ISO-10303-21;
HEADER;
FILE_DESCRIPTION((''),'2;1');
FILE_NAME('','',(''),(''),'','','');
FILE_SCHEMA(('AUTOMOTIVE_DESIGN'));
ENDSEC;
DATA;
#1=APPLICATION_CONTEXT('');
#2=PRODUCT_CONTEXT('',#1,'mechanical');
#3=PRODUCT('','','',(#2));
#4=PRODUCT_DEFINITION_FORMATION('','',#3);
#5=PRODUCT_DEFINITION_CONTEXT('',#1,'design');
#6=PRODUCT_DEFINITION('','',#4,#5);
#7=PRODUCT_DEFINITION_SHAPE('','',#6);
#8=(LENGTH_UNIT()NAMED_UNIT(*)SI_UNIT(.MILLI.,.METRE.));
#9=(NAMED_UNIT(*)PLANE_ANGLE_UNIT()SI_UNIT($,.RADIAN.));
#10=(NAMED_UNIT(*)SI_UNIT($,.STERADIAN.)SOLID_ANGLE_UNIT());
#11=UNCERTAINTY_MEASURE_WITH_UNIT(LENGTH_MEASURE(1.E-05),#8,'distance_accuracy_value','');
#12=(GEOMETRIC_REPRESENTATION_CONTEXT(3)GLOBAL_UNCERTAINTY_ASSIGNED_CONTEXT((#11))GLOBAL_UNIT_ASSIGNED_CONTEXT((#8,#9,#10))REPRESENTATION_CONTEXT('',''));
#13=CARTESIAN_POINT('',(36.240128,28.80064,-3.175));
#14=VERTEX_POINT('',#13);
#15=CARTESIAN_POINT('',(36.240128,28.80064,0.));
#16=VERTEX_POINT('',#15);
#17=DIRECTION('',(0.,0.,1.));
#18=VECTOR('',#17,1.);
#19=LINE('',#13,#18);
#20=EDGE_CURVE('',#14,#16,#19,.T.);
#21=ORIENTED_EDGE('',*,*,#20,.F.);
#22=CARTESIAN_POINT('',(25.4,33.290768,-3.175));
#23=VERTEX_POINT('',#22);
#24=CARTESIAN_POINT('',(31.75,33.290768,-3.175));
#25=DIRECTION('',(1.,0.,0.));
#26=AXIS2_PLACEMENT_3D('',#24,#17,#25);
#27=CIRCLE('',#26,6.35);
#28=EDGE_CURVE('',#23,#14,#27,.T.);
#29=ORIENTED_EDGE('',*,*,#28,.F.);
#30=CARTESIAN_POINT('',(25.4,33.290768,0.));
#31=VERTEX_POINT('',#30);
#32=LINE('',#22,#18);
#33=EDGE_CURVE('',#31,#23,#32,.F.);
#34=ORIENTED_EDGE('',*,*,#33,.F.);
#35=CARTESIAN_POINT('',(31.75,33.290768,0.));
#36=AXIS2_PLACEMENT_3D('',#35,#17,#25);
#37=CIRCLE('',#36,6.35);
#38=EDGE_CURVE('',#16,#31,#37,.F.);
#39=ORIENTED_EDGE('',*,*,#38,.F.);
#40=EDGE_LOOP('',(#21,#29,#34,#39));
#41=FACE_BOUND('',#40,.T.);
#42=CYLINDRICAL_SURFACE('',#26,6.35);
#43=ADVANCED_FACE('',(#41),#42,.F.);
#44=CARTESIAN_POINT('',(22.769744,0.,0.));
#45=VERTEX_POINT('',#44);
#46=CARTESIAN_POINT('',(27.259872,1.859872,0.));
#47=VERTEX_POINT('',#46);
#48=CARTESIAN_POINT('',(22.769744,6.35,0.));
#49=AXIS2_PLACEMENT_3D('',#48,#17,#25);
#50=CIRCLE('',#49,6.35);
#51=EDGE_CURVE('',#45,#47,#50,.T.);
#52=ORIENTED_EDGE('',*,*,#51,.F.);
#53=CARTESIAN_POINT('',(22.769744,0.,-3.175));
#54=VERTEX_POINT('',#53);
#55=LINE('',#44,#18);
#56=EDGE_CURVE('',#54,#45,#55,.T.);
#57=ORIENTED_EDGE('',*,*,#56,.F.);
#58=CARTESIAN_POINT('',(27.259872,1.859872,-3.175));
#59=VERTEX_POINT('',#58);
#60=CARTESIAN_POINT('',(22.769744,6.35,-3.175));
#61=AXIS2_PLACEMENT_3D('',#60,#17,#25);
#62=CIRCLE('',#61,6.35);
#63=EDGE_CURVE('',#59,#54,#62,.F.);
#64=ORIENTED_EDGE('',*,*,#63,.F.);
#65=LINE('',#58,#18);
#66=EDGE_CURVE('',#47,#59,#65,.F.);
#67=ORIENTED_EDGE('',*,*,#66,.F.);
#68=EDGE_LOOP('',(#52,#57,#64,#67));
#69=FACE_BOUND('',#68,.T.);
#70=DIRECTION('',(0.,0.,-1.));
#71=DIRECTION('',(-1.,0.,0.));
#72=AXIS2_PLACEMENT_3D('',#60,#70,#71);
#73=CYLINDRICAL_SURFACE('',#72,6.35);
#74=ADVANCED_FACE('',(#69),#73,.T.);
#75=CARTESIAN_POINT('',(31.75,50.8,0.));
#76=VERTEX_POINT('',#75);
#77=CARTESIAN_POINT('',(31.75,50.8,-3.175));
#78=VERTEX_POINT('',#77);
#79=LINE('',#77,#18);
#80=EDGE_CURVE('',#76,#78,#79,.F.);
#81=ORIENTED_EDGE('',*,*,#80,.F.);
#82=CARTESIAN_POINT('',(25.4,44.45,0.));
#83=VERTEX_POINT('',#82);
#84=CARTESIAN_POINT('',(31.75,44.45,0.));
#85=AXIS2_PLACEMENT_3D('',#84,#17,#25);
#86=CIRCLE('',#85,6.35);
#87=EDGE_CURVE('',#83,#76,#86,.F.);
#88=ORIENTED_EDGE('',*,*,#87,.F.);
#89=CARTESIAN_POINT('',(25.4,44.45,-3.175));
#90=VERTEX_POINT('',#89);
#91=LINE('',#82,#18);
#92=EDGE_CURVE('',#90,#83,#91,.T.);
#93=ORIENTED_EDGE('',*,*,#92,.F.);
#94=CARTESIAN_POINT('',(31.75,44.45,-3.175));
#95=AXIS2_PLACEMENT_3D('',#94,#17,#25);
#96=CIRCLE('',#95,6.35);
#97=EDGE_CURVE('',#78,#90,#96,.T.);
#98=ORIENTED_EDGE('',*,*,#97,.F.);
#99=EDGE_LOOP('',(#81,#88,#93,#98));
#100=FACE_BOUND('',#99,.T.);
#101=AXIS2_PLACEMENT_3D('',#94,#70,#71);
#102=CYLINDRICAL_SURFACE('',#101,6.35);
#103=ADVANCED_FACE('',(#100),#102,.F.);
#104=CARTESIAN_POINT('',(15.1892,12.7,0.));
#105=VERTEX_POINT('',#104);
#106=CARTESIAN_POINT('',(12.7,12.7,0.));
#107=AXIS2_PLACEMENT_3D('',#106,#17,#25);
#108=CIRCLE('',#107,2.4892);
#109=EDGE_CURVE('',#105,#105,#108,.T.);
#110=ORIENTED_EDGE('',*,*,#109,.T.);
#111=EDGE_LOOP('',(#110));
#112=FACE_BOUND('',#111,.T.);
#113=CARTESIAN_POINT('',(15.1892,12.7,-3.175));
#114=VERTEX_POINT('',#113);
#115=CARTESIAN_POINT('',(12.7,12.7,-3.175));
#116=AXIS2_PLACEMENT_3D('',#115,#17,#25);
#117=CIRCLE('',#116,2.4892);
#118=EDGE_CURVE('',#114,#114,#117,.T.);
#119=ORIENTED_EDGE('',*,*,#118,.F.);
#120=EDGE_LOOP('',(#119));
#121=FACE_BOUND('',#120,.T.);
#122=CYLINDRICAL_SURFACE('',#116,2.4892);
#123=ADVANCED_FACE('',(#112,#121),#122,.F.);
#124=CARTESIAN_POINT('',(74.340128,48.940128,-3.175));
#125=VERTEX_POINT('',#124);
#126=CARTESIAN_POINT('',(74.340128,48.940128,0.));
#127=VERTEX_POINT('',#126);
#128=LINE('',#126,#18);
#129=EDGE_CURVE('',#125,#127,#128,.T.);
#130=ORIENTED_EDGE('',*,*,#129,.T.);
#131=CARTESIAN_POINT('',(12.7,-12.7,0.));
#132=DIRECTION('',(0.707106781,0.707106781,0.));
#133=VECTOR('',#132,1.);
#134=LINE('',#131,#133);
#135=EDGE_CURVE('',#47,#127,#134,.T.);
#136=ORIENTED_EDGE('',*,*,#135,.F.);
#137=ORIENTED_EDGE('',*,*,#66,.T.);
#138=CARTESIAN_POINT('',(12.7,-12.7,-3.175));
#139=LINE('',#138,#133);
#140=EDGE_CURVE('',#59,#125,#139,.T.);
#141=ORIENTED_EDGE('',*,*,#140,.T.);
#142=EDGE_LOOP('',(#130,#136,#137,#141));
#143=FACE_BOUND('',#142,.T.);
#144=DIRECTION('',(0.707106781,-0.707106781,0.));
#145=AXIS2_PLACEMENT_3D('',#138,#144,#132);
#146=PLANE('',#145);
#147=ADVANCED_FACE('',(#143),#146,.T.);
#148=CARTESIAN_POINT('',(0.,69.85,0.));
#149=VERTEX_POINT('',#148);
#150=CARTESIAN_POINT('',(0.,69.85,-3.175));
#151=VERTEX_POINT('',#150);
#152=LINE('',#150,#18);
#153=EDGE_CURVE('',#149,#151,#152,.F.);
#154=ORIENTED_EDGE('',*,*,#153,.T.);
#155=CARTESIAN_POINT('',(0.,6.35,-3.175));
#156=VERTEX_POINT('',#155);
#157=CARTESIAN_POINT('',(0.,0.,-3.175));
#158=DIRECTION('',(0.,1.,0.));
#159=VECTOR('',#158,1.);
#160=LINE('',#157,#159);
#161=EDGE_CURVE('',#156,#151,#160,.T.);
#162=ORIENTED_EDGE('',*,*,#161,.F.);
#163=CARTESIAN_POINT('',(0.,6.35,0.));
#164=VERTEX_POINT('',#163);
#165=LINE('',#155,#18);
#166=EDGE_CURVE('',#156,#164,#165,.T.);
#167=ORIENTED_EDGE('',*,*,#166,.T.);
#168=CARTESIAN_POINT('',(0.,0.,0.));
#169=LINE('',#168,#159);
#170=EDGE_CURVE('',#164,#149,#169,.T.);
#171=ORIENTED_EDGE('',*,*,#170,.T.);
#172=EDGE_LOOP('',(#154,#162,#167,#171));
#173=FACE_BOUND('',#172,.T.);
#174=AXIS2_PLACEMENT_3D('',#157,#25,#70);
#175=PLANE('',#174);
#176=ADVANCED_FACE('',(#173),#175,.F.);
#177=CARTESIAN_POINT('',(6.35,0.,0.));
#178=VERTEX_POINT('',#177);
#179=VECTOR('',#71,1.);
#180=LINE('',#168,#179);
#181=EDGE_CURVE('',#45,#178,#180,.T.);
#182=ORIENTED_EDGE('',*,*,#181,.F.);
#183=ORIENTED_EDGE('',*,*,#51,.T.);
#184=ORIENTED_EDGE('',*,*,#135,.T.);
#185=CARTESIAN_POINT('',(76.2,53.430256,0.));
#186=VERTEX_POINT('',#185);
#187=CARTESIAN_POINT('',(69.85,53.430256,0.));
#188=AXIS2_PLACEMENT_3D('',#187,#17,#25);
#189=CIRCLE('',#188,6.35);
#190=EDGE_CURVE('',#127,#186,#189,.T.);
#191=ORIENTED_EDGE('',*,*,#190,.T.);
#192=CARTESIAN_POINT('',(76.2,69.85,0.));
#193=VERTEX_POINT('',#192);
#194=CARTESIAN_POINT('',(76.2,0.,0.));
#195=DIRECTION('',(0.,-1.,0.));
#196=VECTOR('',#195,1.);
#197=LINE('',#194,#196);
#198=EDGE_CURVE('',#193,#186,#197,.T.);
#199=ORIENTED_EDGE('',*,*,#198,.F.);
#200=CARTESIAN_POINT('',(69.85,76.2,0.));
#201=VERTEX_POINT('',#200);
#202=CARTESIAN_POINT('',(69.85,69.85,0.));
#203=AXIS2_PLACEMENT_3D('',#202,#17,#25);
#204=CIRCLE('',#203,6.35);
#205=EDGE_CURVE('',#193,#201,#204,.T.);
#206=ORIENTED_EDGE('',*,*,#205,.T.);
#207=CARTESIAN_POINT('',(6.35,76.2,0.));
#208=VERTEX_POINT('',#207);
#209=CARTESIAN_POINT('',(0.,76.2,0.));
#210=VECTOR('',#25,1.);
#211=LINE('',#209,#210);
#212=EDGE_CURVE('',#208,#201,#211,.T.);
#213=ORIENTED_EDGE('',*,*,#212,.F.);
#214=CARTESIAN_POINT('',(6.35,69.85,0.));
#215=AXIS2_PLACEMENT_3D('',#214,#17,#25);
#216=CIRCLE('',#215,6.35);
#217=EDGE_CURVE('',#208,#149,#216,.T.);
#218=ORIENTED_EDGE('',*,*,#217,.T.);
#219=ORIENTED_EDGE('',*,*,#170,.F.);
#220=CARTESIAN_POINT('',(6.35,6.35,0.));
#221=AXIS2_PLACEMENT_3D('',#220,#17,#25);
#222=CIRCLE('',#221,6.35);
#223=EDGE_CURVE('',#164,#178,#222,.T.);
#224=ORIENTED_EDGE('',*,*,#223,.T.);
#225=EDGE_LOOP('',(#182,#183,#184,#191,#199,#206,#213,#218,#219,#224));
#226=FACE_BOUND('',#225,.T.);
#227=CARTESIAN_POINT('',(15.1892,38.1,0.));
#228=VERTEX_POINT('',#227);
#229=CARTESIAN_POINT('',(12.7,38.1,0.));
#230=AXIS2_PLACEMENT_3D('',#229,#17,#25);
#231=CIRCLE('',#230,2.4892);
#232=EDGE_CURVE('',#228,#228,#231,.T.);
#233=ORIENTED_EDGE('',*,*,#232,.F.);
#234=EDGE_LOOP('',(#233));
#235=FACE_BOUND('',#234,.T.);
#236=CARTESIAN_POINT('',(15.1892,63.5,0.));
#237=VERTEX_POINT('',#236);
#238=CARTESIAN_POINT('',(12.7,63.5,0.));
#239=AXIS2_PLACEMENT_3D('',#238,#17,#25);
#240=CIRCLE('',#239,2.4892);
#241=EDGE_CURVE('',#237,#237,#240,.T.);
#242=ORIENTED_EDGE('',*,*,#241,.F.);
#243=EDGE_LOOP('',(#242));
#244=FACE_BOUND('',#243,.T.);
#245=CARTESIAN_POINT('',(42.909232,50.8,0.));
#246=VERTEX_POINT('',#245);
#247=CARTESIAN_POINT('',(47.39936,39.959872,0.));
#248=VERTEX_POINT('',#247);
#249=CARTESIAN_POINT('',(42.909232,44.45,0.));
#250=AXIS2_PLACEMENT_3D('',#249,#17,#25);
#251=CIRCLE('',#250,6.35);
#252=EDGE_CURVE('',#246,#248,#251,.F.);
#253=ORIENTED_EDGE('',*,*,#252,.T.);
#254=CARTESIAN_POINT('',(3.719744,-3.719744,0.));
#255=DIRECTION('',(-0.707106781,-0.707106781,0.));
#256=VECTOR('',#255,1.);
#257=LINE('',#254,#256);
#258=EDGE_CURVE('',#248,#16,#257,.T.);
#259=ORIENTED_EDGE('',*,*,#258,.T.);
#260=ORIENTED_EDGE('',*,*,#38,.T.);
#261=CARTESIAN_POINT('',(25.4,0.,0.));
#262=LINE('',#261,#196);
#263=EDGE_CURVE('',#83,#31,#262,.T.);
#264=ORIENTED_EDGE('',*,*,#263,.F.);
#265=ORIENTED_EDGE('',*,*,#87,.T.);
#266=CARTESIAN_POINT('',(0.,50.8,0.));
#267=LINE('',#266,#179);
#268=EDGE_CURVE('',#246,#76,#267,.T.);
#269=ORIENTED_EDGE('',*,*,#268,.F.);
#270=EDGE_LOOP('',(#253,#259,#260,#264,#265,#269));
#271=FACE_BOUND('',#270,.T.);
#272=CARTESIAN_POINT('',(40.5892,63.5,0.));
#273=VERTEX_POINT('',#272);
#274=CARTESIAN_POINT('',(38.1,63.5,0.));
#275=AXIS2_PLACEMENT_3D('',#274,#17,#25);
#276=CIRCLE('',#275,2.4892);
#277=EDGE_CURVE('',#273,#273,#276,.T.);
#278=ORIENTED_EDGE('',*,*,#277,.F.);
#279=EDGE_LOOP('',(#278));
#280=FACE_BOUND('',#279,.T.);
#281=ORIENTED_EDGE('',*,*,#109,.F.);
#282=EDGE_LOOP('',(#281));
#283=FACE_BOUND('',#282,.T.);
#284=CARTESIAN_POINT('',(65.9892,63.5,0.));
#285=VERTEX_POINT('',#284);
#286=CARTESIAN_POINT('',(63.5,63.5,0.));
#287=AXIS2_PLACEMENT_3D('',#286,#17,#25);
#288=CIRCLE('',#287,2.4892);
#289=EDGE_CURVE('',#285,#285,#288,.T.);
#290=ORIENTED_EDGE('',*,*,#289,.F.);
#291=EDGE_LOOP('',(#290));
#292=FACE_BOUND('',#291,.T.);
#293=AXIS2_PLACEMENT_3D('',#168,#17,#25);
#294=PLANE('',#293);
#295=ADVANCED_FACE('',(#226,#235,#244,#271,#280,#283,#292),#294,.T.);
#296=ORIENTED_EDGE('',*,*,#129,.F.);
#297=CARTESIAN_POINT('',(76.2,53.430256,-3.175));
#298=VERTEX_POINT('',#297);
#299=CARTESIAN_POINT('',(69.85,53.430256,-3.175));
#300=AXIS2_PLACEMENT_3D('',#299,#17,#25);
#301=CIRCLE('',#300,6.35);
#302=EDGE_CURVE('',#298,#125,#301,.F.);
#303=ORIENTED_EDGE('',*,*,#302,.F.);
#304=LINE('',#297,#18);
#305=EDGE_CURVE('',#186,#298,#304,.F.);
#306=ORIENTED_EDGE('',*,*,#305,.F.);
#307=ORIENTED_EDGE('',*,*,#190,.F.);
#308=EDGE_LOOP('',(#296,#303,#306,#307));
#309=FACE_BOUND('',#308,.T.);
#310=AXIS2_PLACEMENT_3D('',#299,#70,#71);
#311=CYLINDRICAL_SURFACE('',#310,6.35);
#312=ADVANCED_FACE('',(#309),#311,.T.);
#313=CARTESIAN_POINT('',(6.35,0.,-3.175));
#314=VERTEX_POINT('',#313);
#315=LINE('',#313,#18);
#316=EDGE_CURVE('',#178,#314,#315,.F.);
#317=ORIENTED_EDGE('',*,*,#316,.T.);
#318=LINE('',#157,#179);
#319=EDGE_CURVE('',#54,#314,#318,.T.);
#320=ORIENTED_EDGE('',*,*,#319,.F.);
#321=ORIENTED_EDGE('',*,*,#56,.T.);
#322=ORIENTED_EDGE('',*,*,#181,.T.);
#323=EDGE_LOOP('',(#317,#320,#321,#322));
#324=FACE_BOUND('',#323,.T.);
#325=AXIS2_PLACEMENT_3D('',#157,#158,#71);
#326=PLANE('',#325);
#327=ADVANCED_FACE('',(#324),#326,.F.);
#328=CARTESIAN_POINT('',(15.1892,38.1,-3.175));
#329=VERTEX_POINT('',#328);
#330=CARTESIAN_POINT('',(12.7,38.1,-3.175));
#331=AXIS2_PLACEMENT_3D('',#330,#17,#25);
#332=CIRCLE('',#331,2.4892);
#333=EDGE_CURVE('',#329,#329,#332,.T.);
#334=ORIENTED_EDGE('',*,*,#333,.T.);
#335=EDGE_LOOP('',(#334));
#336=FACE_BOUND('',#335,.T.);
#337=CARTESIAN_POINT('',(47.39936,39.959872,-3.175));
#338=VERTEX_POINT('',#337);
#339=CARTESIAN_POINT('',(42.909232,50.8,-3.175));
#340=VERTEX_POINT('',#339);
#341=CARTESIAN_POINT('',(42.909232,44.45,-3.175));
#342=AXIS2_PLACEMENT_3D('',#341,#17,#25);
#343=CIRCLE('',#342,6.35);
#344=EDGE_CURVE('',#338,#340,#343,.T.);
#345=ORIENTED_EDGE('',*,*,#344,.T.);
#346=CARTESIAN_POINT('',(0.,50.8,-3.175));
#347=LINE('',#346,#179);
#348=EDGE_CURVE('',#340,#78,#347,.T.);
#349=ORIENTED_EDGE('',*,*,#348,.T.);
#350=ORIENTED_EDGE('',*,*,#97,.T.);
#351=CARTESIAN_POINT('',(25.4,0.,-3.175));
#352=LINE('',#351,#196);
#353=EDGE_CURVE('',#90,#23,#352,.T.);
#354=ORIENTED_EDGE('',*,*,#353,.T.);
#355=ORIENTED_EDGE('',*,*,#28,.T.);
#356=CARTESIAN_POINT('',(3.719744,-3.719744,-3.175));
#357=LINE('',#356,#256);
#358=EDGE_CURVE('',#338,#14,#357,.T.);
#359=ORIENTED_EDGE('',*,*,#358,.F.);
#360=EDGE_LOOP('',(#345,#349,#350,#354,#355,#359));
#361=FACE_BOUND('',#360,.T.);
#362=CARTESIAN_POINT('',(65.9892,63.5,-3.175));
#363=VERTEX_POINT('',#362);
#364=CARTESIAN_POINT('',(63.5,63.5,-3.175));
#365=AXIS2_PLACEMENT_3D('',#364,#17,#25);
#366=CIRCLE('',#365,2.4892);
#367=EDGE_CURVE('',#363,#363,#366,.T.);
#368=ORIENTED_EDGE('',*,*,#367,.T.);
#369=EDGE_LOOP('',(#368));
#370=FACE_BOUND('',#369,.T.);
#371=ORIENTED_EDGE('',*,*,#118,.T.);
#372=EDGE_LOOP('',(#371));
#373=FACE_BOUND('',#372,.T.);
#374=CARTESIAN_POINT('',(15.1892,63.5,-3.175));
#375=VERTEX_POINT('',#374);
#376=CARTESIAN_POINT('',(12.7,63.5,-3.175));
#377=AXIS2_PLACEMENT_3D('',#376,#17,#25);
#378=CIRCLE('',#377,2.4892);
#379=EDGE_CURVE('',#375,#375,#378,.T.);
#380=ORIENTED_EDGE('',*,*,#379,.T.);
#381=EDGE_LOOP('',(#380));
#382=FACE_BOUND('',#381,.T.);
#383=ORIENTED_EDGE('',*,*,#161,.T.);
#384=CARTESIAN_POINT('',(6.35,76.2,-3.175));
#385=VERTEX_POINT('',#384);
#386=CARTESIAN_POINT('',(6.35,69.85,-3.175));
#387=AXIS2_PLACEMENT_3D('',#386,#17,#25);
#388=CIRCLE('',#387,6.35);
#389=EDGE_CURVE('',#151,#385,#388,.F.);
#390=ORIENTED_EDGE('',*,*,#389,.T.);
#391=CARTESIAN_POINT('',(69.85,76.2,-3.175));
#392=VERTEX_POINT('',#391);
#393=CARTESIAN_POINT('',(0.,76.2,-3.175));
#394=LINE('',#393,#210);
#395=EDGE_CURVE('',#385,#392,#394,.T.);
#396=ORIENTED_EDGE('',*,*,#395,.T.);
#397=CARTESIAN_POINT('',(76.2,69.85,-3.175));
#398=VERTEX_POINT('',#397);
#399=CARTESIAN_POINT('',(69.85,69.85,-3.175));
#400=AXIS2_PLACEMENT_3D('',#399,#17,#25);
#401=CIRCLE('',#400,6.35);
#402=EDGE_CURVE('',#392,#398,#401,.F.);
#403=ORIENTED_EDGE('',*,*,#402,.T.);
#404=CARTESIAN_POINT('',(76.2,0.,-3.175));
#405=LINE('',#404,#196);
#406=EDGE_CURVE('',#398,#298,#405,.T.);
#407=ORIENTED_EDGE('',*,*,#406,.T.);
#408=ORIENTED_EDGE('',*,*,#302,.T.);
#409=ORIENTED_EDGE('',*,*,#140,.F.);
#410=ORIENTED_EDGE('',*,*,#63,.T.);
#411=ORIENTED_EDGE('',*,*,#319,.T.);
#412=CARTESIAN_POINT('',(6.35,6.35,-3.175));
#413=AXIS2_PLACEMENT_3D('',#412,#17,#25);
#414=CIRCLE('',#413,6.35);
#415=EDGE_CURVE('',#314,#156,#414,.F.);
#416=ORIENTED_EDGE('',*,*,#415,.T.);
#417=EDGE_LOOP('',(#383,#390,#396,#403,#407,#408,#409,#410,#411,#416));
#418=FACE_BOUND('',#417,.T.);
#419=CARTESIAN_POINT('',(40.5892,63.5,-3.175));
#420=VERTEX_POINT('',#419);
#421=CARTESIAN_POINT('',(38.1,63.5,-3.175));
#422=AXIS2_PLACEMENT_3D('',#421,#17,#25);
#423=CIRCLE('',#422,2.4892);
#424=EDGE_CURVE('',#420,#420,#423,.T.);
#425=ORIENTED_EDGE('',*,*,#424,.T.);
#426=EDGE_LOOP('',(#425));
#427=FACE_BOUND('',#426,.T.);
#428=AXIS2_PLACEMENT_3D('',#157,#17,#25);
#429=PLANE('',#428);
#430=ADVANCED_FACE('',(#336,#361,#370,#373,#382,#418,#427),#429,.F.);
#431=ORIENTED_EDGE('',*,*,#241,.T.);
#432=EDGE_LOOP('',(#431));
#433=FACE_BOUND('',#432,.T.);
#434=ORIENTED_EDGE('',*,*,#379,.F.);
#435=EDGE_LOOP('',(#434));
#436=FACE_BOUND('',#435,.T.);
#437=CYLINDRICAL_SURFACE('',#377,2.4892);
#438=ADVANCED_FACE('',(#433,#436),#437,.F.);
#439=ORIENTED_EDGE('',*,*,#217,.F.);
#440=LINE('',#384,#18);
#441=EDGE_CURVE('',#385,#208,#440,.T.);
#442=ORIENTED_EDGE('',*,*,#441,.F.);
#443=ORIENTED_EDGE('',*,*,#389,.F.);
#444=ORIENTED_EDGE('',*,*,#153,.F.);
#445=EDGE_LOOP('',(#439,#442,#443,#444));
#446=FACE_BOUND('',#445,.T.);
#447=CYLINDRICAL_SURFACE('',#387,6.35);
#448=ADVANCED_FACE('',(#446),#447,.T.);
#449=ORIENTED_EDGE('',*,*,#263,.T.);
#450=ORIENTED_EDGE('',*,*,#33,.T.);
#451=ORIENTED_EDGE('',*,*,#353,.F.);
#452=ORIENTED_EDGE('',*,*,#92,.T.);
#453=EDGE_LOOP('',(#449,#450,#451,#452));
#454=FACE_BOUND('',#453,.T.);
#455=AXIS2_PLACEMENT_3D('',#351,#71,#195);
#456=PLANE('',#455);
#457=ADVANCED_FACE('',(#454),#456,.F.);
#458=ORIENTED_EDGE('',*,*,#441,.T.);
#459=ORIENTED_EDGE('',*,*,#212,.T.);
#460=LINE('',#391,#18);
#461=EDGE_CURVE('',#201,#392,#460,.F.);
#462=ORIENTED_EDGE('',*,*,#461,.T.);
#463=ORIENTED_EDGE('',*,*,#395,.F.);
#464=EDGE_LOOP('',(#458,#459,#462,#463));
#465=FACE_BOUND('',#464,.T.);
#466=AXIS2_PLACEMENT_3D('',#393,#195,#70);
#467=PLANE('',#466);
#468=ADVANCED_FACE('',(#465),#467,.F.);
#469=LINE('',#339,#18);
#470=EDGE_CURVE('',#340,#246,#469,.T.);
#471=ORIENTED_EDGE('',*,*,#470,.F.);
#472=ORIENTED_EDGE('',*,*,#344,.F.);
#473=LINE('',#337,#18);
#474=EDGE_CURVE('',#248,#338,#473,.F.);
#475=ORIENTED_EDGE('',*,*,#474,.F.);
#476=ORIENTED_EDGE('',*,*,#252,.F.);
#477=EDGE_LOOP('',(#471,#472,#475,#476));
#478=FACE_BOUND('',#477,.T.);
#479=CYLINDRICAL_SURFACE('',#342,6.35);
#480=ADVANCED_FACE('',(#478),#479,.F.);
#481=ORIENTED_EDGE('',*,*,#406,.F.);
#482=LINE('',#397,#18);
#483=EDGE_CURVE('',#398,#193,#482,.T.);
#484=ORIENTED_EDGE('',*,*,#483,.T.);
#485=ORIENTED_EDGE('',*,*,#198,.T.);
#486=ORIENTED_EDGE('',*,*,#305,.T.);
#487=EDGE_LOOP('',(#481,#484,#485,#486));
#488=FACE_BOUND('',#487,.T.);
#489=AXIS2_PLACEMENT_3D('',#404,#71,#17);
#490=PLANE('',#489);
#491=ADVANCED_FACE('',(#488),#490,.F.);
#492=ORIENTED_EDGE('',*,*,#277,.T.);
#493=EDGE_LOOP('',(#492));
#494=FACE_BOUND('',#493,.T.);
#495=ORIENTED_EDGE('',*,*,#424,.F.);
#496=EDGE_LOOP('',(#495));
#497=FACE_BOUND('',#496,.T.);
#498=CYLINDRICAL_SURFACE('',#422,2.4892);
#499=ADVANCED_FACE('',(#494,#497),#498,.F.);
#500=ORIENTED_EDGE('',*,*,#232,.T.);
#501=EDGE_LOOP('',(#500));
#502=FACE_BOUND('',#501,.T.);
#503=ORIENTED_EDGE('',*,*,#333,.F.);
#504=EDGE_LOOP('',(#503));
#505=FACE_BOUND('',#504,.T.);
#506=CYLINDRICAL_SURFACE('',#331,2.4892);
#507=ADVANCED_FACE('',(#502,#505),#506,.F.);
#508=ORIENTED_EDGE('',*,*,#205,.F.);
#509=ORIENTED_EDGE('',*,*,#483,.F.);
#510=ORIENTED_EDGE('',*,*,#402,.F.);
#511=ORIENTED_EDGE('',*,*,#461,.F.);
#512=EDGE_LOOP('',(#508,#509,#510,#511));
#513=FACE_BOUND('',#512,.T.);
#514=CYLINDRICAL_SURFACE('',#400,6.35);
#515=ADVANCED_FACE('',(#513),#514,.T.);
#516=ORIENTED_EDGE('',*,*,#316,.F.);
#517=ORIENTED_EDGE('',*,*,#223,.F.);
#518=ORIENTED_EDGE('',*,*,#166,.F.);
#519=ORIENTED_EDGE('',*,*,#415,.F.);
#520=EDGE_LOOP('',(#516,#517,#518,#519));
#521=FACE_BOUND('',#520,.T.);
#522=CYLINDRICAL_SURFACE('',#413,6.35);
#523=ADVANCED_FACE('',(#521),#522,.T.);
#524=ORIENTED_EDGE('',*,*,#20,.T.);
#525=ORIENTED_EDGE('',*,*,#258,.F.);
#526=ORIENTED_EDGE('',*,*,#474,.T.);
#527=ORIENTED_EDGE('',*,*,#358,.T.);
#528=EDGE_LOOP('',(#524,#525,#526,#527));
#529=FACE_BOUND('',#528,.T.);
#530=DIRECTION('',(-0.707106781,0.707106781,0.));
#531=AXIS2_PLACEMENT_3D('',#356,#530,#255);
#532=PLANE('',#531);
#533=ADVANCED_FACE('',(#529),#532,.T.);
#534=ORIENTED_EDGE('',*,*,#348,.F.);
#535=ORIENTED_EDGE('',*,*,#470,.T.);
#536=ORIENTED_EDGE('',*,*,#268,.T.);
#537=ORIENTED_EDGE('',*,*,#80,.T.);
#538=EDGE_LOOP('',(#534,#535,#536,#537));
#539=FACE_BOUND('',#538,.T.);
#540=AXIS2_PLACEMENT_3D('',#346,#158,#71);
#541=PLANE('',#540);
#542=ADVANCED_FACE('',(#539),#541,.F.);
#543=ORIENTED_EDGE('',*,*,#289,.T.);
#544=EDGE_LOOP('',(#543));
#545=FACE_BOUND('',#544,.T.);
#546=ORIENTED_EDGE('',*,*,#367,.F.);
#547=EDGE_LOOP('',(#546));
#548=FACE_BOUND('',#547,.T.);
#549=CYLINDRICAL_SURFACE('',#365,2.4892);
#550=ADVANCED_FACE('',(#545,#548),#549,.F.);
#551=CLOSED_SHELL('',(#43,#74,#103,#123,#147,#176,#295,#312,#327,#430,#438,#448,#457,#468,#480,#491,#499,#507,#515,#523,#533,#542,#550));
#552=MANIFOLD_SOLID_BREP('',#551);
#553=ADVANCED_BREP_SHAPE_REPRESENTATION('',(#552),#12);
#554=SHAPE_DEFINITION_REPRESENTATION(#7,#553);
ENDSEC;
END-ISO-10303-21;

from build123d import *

# Parameters (mm, degrees)
BOSS_EXTRUDE1_DEPTH = 3.175
SKETCH2_R           = 2.4892
CUT_EXTRUDE1_DEPTH  = 108.809835474
FILLET3_R           = 6.35


with BuildPart() as part:
    # Sketch1 → Boss-Extrude1 (new body)
    with BuildSketch(Plane.XY):
        Polygon((25.4, 0), (0, 0), (0, 76.2), (76.2, 76.2), (76.2, 50.8), align=None)
        Polygon((58.239487758, 50.8), (25.4, 50.8), (25.4, 17.960512242), align=None, mode=Mode.SUBTRACT)
    extrude(amount=-BOSS_EXTRUDE1_DEPTH)

    # Sketch2 → Cut-Extrude1 (cut, through all)
    with BuildSketch(Plane.XY):
        with Locations((12.7, 63.5)):
            Circle(SKETCH2_R)
        with Locations((38.1, 63.5)):
            Circle(SKETCH2_R)
        with Locations((63.5, 63.5)):
            Circle(SKETCH2_R)
        with Locations((12.7, 38.1)):
            Circle(SKETCH2_R)
        with Locations((12.7, 12.7)):
            Circle(SKETCH2_R)
    extrude(amount=-CUT_EXTRUDE1_DEPTH, mode=Mode.SUBTRACT)

    # Fillet3
    fillet3_edges = [part.edges().sort_by_distance(p)[0] for p in [
        (25.4, 50.8, -1.5875),
        (25.4, 17.960512242, -1.5875),
        (58.239487758, 50.8, -1.5875),
        (0, 0, -1.5875),
        (0, 76.2, -1.5875),
        (76.2, 76.2, -1.5875),
        (76.2, 50.8, -1.5875),
        (25.4, 0, -1.5875),
    ]]
    fillet(fillet3_edges, radius=FILLET3_R)


solid = part.part
